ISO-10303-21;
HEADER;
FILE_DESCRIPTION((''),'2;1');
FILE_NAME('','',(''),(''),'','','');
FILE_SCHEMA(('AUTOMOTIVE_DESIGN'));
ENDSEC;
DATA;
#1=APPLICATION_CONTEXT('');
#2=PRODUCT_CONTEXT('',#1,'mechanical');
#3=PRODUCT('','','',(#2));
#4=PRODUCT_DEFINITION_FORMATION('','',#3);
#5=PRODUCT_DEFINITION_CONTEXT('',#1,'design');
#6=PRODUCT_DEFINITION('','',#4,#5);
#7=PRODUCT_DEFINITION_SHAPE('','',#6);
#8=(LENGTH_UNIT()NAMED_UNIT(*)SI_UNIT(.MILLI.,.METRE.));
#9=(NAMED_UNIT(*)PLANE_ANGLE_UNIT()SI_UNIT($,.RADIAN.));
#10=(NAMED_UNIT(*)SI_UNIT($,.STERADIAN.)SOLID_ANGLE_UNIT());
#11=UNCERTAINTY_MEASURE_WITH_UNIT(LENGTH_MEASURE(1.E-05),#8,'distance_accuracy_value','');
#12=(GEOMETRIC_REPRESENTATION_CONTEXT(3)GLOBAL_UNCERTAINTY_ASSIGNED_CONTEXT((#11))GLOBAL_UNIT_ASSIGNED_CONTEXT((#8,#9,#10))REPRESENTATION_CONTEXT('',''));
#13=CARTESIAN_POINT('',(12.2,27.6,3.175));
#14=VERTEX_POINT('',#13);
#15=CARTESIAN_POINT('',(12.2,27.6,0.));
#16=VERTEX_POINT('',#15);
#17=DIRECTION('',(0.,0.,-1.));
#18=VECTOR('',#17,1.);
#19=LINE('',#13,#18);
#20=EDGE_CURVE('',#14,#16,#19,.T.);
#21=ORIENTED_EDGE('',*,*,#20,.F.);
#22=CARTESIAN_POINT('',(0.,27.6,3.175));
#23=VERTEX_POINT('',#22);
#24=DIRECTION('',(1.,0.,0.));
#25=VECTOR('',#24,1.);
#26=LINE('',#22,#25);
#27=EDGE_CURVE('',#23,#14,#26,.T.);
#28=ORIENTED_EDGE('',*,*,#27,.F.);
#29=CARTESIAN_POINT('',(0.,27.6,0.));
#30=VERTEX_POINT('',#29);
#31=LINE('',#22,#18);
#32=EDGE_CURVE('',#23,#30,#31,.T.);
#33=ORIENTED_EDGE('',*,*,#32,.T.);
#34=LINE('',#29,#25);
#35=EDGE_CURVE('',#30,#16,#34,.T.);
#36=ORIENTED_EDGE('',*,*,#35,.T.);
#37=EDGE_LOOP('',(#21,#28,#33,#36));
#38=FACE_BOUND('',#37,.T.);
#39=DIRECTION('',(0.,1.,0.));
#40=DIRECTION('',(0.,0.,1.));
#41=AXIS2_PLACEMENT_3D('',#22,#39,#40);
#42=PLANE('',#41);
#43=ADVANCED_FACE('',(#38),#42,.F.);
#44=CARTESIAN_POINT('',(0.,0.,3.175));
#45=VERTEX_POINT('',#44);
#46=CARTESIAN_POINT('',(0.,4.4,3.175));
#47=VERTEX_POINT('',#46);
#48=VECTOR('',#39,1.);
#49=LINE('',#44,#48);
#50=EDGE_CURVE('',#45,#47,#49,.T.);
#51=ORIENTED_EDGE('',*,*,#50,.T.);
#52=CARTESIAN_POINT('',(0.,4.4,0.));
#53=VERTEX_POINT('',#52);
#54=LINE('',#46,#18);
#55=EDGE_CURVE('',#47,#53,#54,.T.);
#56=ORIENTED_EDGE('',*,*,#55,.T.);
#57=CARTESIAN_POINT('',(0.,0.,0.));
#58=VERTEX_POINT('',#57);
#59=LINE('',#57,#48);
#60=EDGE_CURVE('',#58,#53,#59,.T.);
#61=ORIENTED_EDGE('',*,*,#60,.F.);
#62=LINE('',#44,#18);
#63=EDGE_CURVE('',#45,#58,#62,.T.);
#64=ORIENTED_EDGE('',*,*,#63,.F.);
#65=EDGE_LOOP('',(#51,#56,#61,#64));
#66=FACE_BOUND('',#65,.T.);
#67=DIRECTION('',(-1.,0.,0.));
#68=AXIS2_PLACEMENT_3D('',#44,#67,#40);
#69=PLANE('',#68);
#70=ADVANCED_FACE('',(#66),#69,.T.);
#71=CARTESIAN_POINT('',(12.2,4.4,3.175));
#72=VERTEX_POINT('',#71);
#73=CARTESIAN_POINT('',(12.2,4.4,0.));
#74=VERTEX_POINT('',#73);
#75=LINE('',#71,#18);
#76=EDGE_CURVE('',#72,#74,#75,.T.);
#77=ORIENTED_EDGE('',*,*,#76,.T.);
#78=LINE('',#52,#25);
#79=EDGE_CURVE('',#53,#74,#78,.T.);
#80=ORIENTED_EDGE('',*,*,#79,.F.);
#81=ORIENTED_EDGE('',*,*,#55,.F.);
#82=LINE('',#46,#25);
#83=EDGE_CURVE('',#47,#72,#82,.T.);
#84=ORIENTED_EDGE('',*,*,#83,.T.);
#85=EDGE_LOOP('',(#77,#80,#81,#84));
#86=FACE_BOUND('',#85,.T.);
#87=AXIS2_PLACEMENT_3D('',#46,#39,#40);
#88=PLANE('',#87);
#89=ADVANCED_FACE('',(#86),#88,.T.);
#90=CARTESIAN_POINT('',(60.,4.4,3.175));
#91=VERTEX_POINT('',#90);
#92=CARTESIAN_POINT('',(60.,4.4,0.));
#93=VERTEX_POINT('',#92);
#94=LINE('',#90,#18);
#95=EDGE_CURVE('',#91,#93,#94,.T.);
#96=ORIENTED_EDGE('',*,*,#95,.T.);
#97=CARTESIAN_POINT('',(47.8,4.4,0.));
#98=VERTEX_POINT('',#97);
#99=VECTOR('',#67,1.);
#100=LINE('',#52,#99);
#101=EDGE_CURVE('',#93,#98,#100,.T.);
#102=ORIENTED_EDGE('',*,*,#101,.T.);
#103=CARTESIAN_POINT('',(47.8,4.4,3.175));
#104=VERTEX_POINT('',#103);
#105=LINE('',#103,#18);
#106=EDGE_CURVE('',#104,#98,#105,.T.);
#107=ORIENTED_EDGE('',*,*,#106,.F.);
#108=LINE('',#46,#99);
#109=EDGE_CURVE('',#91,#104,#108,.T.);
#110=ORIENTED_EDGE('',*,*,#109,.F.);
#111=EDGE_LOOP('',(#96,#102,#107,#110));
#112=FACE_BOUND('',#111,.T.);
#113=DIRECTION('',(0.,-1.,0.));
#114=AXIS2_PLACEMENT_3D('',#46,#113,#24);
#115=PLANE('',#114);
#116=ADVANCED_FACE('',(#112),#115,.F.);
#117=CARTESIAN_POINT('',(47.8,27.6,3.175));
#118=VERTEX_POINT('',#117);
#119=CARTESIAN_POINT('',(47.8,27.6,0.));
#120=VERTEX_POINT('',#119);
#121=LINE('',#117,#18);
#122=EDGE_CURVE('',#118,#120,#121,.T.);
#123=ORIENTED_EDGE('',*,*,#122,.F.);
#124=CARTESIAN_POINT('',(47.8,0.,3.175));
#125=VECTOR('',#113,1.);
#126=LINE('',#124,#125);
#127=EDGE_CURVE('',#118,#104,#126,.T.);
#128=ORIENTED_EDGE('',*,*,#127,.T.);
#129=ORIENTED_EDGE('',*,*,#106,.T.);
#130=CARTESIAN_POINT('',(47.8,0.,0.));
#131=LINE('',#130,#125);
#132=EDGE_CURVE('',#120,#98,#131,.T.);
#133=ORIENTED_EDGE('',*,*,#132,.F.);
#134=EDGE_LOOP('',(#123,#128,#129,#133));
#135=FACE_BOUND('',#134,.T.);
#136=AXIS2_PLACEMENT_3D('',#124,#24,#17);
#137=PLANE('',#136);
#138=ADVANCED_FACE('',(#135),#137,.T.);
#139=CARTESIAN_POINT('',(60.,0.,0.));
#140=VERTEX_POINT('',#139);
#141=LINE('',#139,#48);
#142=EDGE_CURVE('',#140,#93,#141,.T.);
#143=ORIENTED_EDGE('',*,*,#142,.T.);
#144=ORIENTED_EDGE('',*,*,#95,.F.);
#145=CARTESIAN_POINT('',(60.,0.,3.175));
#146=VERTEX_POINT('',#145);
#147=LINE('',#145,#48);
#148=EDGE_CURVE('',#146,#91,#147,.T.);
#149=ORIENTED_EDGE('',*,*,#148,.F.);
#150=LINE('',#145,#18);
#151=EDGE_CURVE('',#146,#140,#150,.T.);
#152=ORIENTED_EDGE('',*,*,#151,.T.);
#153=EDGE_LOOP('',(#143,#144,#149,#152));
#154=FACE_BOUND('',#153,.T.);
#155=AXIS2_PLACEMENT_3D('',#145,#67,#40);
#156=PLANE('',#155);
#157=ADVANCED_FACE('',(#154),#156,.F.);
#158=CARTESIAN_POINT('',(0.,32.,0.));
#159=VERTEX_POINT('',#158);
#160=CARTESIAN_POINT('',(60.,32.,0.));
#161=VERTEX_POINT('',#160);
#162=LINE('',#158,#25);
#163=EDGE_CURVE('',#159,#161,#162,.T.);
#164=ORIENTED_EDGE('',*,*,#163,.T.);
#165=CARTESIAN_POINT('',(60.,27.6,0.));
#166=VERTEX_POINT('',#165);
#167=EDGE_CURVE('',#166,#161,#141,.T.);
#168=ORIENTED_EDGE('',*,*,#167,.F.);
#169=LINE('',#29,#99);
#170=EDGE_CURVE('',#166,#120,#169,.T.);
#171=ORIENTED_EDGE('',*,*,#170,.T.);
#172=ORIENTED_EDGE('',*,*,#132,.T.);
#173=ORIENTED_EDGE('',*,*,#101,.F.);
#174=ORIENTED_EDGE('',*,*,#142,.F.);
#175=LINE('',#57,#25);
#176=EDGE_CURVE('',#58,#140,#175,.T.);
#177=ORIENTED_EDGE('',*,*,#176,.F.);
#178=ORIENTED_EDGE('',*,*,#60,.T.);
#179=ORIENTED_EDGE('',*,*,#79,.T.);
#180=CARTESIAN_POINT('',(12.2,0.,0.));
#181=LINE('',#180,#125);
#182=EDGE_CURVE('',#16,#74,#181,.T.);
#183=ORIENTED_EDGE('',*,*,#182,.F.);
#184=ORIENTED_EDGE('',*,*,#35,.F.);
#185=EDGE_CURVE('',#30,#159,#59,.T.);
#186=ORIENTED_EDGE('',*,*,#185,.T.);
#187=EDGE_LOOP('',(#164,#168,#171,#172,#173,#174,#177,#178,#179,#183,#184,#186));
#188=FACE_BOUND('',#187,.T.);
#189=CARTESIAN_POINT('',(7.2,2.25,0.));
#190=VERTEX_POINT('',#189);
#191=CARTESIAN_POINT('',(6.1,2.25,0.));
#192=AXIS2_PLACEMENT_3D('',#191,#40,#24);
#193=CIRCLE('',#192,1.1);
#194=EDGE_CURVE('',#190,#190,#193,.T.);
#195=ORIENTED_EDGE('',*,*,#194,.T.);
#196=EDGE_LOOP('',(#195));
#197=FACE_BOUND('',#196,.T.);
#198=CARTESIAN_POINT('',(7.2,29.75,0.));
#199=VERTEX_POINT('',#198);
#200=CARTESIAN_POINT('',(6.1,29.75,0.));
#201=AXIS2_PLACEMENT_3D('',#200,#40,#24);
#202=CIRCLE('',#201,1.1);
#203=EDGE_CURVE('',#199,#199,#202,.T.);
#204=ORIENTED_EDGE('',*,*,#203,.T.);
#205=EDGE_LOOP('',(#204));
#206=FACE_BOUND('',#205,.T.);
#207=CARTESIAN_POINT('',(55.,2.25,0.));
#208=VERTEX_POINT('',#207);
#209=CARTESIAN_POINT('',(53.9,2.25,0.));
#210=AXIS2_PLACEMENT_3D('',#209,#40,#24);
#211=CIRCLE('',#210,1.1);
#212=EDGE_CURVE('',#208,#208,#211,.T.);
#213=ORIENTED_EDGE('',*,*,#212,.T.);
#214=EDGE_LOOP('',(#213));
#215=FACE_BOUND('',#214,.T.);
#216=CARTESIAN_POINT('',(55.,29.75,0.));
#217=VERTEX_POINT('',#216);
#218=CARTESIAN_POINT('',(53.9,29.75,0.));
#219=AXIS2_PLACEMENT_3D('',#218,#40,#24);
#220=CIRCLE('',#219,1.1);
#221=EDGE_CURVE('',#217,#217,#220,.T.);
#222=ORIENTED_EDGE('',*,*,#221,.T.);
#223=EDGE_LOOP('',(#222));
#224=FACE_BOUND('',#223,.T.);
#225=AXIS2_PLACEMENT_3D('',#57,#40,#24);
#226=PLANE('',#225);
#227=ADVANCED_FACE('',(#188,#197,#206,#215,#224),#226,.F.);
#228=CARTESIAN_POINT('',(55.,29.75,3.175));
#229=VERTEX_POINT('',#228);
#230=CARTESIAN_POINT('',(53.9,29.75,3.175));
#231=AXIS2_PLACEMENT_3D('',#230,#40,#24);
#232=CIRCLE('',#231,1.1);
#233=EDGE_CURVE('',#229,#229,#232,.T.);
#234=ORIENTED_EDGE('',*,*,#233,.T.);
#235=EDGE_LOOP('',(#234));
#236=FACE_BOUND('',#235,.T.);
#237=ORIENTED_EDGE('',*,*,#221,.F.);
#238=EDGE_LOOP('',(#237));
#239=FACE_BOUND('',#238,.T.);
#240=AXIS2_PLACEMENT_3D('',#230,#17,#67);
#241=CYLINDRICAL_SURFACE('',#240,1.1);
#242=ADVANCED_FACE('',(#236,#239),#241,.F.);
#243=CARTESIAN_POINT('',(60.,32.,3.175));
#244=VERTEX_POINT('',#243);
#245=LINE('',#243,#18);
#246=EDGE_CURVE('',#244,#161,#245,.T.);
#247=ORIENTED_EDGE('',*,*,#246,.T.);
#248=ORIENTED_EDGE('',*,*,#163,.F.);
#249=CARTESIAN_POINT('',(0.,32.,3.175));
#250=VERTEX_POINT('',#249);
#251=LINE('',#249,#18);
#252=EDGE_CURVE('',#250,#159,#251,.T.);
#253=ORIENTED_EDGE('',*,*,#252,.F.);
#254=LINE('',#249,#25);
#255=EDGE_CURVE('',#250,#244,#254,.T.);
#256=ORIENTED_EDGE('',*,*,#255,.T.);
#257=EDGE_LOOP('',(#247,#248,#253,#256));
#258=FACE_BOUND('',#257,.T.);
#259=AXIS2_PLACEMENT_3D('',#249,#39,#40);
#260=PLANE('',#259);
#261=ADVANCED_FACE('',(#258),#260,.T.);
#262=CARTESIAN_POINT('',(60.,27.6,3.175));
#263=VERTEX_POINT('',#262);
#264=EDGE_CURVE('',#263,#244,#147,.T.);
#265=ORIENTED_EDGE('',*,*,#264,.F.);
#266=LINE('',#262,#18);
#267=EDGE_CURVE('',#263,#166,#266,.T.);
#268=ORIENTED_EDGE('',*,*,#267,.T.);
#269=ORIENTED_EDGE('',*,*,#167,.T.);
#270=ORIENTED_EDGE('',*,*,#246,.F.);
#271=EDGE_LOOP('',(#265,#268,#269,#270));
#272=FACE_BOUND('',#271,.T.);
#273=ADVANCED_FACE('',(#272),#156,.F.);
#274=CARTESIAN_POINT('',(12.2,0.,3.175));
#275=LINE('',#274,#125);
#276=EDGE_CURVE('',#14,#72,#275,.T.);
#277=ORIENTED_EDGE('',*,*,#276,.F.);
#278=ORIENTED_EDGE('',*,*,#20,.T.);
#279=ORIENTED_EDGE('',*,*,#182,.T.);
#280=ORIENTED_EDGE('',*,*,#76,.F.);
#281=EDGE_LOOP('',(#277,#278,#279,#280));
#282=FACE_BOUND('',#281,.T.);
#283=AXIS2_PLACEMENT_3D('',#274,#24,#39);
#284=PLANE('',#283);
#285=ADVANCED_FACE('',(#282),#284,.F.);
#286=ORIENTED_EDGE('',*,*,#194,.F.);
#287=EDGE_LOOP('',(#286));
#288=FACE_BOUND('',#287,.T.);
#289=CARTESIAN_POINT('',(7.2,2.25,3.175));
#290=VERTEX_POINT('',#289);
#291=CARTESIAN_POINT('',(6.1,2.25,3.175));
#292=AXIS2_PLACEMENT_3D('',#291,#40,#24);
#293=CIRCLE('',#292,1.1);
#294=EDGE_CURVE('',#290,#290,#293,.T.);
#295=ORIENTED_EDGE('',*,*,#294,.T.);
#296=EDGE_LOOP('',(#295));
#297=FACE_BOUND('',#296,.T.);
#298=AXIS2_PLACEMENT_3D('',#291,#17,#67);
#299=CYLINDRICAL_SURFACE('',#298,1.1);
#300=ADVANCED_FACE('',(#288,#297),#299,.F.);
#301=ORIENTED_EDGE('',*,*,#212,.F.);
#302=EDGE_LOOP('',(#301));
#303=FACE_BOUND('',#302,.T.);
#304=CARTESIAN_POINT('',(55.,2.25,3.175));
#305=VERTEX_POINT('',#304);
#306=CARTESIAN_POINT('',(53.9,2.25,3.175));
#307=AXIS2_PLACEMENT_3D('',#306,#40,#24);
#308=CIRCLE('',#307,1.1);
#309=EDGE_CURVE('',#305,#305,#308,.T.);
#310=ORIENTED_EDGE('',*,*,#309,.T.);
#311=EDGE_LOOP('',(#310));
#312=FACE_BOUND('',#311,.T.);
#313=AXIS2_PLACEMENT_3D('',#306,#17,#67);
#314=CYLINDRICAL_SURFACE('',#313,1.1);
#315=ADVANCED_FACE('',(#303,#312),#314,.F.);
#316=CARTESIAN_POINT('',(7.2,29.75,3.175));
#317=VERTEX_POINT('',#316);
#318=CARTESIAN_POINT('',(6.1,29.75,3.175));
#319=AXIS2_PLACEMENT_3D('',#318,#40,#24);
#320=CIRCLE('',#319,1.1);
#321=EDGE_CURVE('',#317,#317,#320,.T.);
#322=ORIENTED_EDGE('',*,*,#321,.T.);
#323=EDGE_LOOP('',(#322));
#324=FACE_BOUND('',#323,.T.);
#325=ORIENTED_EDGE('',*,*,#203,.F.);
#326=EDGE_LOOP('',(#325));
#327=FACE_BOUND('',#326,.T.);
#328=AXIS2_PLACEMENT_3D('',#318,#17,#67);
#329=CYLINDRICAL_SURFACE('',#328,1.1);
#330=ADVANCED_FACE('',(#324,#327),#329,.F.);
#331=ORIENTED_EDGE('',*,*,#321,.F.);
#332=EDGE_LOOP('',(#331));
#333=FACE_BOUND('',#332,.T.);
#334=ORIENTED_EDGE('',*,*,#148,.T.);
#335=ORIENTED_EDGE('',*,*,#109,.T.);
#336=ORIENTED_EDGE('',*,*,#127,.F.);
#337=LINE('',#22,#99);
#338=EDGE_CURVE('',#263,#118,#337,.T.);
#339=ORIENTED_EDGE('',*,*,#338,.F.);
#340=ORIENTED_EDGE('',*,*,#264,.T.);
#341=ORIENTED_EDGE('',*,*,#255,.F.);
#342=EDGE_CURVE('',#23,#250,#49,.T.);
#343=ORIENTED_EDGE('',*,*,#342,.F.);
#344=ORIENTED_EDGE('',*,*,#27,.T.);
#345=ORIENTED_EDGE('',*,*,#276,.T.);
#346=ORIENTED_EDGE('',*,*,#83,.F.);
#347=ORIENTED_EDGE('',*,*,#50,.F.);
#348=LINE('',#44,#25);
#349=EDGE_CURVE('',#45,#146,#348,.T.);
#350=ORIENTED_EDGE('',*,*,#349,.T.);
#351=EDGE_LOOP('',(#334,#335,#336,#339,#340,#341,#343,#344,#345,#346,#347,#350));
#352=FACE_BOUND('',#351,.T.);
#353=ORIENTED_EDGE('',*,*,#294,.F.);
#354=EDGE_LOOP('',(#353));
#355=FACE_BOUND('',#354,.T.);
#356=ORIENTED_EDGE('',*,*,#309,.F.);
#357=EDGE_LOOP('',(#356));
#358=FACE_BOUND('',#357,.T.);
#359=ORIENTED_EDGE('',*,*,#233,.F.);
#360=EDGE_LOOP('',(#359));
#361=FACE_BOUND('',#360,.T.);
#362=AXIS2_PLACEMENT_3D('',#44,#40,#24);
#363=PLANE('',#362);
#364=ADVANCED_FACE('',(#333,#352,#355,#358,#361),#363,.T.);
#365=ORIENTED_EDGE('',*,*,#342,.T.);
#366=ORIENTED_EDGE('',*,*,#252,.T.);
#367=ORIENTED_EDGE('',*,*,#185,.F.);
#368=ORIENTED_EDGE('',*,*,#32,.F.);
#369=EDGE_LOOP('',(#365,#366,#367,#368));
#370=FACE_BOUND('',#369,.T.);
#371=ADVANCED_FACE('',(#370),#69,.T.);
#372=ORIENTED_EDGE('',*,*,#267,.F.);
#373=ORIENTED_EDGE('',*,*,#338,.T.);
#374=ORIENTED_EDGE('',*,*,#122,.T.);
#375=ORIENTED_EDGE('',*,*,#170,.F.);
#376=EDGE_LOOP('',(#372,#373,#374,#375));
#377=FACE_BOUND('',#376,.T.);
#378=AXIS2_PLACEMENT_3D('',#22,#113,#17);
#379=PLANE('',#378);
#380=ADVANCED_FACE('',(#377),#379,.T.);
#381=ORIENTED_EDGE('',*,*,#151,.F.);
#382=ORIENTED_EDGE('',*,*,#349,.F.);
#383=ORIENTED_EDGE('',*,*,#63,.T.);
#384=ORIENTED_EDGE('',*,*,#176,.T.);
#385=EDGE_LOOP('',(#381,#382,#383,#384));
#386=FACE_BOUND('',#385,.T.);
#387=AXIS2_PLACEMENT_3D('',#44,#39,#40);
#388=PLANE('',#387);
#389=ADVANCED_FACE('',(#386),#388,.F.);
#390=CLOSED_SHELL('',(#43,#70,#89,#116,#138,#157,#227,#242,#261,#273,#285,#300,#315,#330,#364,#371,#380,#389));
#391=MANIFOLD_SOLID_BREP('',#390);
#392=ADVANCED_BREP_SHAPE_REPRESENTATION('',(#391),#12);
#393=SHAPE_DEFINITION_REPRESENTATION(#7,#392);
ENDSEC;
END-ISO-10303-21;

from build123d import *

# Parameters (mm, degrees)
SKETCH1_R           = 1.1
BOSS_EXTRUDE1_DEPTH = 3.175


with BuildPart() as part:
    # Sketch1 → Boss-Extrude1 (new body)
    with BuildSketch(Plane.XY):
        Polygon((0, 4.4), (0, 0), (60, 0), (60, 4.4), (47.8, 4.4), (47.8, 27.6), (60, 27.6), (60, 32), (0, 32), (0, 27.6), (12.2, 27.6), (12.2, 4.4), align=None)
        with Locations((6.1, 2.25)):
            Circle(SKETCH1_R, mode=Mode.SUBTRACT)
        with Locations((53.9, 2.25)):
            Circle(SKETCH1_R, mode=Mode.SUBTRACT)
        with Locations((6.1, 29.75)):
            Circle(SKETCH1_R, mode=Mode.SUBTRACT)
        with Locations((53.9, 29.75)):
            Circle(SKETCH1_R, mode=Mode.SUBTRACT)
    extrude(amount=BOSS_EXTRUDE1_DEPTH)


solid = part.part
